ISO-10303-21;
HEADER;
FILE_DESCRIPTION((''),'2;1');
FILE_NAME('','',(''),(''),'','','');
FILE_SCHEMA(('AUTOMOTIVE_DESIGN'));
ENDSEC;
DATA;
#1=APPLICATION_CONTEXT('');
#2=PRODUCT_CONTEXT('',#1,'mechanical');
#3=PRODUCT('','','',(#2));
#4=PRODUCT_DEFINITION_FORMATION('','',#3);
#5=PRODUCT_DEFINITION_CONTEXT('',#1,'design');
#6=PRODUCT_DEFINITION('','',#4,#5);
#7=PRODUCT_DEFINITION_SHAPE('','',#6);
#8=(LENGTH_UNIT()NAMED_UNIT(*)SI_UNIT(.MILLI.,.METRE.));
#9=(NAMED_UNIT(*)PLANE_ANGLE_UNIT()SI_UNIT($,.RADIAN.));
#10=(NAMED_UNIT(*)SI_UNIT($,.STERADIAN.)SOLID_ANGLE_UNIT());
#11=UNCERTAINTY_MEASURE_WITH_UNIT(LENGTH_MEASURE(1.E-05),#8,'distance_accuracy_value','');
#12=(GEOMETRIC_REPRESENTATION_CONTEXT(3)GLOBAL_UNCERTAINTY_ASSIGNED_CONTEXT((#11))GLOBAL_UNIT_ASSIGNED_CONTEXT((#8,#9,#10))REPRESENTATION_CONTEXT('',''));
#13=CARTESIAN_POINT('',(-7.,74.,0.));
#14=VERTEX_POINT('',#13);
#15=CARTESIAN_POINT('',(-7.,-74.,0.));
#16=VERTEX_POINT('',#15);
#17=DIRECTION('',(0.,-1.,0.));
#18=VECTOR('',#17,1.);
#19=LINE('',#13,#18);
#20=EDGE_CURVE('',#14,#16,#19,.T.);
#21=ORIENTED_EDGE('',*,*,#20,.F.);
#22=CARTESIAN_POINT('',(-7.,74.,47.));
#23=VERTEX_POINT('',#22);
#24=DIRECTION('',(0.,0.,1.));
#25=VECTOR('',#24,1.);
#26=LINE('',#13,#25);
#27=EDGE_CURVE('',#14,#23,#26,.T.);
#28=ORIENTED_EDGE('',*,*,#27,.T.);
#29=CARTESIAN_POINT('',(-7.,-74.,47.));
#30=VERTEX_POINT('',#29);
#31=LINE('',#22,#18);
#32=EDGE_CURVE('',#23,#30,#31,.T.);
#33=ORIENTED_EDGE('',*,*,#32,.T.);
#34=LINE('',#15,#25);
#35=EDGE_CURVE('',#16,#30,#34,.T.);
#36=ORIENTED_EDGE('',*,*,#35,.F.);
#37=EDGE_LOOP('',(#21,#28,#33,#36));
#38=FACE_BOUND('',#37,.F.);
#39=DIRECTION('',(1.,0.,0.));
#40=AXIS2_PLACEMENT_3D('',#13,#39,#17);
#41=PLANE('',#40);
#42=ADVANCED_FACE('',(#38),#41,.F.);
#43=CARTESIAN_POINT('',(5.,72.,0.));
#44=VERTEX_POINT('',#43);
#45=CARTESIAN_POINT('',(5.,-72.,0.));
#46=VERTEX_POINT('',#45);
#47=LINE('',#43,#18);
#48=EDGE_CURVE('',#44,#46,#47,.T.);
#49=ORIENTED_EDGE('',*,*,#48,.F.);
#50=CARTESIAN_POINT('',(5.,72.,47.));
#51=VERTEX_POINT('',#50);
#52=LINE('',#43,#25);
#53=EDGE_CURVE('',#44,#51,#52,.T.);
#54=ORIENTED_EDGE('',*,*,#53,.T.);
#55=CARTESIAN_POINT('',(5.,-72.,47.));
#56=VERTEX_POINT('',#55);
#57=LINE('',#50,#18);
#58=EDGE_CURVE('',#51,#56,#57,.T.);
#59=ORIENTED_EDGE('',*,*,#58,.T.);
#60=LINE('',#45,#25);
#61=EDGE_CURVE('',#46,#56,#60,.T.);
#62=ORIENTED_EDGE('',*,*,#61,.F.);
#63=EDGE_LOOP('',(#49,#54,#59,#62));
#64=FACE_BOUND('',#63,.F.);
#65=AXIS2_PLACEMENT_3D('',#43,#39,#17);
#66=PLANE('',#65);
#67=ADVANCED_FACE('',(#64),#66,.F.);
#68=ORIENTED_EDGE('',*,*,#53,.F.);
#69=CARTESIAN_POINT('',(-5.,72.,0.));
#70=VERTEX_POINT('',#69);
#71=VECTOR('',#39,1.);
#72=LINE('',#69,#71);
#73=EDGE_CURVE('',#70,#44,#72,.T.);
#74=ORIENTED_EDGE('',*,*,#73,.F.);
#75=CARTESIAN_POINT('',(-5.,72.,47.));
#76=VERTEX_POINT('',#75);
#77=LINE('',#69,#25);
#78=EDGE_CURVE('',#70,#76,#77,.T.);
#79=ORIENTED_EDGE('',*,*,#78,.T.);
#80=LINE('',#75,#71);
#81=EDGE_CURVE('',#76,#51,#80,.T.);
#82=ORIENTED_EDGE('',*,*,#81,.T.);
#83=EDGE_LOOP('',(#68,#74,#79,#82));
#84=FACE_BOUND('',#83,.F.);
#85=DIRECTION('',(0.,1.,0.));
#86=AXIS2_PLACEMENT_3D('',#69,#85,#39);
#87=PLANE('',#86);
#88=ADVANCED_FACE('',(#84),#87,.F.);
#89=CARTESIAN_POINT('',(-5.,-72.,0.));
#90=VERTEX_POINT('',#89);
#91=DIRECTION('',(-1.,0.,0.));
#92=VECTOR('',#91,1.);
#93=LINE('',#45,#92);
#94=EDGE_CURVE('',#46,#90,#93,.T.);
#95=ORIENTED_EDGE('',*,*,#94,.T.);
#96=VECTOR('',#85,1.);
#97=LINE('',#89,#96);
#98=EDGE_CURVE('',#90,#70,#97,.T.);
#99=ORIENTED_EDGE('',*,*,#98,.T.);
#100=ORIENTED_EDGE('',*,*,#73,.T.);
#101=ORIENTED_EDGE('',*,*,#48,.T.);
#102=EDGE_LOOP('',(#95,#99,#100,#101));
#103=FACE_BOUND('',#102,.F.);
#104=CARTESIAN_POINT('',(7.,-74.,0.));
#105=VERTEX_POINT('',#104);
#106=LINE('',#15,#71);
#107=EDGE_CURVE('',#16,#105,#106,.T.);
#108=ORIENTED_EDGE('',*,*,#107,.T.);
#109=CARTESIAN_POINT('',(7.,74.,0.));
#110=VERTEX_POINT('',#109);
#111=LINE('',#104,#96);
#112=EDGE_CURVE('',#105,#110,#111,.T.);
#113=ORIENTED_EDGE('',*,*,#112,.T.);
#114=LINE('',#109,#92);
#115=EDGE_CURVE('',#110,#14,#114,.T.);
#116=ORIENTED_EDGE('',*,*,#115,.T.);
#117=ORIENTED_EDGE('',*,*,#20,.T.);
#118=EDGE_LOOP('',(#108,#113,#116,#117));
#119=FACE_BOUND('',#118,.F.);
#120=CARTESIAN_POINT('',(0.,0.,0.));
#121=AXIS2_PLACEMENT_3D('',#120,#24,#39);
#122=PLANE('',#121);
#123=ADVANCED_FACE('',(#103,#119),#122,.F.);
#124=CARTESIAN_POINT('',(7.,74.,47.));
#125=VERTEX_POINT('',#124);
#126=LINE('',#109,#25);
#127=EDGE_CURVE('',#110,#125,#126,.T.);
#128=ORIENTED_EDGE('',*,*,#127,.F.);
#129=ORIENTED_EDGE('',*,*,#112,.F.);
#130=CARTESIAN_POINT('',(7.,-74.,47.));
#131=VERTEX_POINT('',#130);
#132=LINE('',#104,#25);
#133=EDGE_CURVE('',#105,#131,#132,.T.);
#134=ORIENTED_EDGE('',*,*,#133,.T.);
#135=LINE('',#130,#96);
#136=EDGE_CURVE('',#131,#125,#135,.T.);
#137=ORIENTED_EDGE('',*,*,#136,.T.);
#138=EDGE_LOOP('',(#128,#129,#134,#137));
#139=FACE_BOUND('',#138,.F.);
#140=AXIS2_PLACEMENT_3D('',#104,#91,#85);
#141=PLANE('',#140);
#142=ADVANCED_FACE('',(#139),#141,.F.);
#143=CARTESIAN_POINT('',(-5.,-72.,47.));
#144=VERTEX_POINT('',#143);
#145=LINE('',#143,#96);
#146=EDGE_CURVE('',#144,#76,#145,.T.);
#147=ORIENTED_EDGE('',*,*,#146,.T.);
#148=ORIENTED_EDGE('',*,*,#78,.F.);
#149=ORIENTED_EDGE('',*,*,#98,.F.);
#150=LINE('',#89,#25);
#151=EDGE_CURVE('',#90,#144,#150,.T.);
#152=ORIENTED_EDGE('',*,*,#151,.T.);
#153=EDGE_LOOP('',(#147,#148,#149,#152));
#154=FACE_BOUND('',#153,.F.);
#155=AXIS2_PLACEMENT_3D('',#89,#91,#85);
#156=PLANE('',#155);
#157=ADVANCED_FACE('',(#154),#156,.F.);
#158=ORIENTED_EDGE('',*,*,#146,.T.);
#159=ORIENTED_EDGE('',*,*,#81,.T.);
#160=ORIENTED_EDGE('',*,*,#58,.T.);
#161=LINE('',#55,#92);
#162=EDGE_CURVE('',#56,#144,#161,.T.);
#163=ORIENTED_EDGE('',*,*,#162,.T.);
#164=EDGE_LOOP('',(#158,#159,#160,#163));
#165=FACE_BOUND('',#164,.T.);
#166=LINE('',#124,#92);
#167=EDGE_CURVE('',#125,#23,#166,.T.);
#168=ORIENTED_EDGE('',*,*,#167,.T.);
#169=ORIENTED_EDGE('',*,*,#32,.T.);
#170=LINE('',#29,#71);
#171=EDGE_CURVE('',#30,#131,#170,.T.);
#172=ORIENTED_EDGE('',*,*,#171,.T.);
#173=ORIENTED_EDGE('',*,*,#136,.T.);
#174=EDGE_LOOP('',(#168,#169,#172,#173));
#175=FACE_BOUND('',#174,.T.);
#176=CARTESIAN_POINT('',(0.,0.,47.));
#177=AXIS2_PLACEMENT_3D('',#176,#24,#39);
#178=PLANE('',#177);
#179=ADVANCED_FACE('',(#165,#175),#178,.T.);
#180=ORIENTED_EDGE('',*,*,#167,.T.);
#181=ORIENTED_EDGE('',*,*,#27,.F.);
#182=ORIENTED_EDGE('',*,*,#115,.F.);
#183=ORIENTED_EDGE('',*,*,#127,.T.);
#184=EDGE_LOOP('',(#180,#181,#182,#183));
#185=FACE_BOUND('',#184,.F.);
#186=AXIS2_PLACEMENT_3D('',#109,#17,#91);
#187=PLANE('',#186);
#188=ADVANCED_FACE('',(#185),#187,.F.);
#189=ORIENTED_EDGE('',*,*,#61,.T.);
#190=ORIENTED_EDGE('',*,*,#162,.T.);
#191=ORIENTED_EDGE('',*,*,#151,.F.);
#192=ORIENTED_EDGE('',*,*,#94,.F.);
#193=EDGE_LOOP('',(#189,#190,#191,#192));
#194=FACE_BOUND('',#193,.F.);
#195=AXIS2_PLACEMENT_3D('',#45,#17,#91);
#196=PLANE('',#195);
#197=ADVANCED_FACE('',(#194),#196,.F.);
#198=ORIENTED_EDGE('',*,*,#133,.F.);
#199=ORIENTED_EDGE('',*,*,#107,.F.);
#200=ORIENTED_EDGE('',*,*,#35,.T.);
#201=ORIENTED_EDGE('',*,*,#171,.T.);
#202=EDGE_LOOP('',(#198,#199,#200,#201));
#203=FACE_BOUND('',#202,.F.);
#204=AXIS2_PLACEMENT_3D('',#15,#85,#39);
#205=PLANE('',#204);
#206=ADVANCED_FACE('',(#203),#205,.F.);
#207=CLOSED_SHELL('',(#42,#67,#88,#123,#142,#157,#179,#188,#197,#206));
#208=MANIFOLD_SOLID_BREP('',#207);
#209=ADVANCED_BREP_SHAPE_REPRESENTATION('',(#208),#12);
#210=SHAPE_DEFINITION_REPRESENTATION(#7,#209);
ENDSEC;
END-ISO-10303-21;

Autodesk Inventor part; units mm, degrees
sketch "Sketch4" plane through (0, 0, 0) normal (0, 0, 1) x (1, 0, 0)
  line L0 (-7, -74) -> (7, -74)
  line L1 (7, -74) -> (7, 74)
  line L2 (7, 74) -> (-7, 74)
  line L3 (-7, 74) -> (-7, -74)
  line L4 (-7, -74) -> (7, 74) construction
  line L5 (7, -74) -> (-7, 74) construction
  line L6 (-5, 72) -> (5, 72)
  line L7 (5, 72) -> (5, -72)
  line L8 (5, -72) -> (-5, -72)
  line L9 (-5, -72) -> (-5, 72)
  line L10 (-5, 72) -> (5, -72) construction
  line L11 (5, 72) -> (-5, -72) construction
  point P0 (0, 0)
  dimension "d6" = 148
  dimension "d7" = 14
  dimension "d10" = 2
  dimension "d11" = 2
extrude "Extrusion1" add sketch "Sketch4" along normal blind 47
properties part number "P024_ReservoirSilica"
